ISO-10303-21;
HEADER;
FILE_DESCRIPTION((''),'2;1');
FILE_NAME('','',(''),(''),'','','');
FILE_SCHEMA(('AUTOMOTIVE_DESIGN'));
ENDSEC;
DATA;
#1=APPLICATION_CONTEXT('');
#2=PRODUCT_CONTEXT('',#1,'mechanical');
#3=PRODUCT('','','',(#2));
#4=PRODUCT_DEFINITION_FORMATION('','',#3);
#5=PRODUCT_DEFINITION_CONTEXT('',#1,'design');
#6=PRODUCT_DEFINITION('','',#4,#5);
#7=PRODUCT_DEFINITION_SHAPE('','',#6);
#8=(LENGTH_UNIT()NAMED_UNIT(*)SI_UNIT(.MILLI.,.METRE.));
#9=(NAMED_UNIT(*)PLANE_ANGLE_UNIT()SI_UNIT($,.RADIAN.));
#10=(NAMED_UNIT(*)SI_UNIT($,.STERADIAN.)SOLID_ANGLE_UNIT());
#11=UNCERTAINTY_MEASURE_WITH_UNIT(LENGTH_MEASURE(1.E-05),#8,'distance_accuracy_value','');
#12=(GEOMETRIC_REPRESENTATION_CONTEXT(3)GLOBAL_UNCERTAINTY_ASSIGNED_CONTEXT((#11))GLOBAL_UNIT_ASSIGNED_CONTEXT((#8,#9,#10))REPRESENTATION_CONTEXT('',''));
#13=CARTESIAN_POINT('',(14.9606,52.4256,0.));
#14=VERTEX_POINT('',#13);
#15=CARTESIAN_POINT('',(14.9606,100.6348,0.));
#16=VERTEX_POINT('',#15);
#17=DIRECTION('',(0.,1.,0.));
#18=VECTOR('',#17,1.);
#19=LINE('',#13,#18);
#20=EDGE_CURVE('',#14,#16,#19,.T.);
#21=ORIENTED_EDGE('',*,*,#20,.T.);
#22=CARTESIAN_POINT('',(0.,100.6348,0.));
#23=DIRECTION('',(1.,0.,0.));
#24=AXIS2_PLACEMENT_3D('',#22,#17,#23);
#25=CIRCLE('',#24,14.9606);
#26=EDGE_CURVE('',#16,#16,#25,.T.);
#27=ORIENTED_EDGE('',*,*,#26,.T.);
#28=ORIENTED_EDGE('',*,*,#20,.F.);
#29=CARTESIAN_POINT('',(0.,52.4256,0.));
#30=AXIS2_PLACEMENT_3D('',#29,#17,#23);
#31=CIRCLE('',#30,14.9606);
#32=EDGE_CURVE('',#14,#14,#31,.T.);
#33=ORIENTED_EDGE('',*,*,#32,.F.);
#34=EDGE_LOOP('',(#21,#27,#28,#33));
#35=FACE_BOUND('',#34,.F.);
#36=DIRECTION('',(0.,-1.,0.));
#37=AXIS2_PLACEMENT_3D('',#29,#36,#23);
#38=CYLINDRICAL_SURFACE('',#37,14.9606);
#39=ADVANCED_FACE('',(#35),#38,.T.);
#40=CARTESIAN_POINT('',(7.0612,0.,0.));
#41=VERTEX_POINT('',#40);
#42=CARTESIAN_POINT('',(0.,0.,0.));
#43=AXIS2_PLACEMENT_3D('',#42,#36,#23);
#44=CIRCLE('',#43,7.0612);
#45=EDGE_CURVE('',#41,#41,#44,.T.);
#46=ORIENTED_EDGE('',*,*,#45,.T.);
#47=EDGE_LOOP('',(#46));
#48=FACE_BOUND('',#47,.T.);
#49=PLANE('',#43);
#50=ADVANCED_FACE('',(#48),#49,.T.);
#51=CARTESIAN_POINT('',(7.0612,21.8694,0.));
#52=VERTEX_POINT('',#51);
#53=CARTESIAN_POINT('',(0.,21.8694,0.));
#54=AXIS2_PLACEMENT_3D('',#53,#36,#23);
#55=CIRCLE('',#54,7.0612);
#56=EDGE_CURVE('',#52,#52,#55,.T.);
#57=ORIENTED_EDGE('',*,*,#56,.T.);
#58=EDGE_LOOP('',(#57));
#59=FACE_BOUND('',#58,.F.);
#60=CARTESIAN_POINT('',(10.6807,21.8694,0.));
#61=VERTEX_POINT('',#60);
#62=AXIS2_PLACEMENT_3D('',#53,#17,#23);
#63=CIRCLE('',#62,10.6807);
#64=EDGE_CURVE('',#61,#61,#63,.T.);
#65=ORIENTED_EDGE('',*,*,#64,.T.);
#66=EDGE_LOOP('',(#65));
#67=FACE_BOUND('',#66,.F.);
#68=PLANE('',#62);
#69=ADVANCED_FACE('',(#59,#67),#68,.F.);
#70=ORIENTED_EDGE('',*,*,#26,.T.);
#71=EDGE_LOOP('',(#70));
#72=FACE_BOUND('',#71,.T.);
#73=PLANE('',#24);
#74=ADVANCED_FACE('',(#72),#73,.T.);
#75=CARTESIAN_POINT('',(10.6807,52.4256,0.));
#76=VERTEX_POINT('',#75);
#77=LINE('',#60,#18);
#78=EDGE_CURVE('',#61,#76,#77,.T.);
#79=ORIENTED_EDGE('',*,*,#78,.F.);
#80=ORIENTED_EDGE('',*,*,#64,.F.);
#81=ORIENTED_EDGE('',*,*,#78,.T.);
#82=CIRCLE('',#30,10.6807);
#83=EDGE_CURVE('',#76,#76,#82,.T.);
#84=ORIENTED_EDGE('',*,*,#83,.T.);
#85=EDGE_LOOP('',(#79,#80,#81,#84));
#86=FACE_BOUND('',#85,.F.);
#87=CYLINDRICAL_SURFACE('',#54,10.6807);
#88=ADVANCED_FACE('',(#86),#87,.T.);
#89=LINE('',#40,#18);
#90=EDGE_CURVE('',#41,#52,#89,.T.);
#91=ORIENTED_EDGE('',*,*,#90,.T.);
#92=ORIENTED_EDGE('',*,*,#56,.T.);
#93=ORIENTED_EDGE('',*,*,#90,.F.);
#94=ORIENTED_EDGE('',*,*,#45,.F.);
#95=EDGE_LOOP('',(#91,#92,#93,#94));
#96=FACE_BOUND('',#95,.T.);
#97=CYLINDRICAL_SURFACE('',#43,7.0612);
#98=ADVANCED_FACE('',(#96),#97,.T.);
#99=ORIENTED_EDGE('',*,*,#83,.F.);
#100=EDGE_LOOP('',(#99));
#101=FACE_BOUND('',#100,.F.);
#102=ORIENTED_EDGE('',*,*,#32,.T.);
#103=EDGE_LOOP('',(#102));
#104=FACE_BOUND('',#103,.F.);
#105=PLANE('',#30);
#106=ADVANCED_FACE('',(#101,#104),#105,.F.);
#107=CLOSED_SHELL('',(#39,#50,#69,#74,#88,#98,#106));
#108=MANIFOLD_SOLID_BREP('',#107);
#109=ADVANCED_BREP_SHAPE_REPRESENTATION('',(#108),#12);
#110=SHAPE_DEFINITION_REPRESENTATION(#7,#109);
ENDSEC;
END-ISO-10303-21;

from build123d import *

# Parameters (mm, degrees)
F0_R     = 7.0612
F1_DEPTH = 21.8694
F3_R     = 10.6807
F4_DEPTH = 30.5562
F6_R     = 14.9606
F7_DEPTH = 48.2092


with BuildPart() as f1:
    # F0 (on Front) → F1 (new body)
    with BuildSketch(Plane.XZ):
        Circle(F0_R)
    extrude(amount=-F1_DEPTH)

    # F3 (on offset) → F4 (join)
    with BuildSketch(Plane(origin=(0, 21.8694, 0), x_dir=(1, 0, 0), z_dir=(0, 1, 0))):
        Circle(F3_R)
    extrude(amount=F4_DEPTH)

    # F6 (on offset) → F7 (join)
    with BuildSketch(Plane(origin=(0, 52.4256, 0), x_dir=(1, 0, 0), z_dir=(0, 1, 0))):
        Circle(F6_R)
    extrude(amount=F7_DEPTH)


solid = f1.part
